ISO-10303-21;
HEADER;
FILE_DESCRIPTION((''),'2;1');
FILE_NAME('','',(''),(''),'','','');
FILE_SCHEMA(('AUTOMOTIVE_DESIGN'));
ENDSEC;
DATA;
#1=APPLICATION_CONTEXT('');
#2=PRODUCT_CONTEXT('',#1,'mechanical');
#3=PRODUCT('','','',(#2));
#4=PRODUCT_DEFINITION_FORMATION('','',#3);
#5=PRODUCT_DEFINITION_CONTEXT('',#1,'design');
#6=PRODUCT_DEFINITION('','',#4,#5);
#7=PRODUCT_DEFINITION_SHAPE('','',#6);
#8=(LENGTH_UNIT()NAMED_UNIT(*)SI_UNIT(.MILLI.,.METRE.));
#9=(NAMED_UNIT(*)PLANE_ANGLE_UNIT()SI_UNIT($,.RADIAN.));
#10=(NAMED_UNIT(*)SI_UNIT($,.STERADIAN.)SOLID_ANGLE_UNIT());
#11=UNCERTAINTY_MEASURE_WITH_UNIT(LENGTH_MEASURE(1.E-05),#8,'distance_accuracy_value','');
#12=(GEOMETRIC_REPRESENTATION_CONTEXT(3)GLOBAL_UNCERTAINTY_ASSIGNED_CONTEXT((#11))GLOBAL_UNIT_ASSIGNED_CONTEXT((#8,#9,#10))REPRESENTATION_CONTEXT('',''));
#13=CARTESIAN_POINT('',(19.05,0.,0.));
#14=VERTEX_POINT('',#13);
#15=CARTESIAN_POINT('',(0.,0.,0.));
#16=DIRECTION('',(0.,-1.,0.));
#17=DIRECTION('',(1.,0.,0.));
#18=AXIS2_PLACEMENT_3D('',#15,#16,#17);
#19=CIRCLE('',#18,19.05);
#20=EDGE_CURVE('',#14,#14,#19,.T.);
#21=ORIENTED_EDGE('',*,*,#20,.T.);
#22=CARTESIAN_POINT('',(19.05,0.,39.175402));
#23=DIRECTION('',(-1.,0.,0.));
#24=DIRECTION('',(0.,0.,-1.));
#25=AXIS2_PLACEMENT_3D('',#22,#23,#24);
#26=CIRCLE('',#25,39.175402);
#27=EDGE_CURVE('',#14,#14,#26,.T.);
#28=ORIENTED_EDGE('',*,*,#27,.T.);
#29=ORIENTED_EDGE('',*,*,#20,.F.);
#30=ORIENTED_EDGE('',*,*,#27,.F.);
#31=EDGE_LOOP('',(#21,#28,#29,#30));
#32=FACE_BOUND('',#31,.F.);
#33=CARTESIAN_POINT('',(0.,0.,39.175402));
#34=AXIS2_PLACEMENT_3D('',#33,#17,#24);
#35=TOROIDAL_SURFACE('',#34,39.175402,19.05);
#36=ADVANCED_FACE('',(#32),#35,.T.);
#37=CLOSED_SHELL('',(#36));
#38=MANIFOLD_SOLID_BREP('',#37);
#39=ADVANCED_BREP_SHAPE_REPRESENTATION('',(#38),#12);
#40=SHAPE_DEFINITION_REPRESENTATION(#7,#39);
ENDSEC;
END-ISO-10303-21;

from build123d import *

# Parameters (mm, degrees)
F0_R = 19.05


with BuildPart() as f1:
    # F0 (on Front) → F1 (revolve)
    with BuildSketch(Plane.XZ):
        Circle(F0_R)
    revolve(axis=Axis((4e-06, 0, 39.175402), (-1, 0, 0)))


solid = f1.part
